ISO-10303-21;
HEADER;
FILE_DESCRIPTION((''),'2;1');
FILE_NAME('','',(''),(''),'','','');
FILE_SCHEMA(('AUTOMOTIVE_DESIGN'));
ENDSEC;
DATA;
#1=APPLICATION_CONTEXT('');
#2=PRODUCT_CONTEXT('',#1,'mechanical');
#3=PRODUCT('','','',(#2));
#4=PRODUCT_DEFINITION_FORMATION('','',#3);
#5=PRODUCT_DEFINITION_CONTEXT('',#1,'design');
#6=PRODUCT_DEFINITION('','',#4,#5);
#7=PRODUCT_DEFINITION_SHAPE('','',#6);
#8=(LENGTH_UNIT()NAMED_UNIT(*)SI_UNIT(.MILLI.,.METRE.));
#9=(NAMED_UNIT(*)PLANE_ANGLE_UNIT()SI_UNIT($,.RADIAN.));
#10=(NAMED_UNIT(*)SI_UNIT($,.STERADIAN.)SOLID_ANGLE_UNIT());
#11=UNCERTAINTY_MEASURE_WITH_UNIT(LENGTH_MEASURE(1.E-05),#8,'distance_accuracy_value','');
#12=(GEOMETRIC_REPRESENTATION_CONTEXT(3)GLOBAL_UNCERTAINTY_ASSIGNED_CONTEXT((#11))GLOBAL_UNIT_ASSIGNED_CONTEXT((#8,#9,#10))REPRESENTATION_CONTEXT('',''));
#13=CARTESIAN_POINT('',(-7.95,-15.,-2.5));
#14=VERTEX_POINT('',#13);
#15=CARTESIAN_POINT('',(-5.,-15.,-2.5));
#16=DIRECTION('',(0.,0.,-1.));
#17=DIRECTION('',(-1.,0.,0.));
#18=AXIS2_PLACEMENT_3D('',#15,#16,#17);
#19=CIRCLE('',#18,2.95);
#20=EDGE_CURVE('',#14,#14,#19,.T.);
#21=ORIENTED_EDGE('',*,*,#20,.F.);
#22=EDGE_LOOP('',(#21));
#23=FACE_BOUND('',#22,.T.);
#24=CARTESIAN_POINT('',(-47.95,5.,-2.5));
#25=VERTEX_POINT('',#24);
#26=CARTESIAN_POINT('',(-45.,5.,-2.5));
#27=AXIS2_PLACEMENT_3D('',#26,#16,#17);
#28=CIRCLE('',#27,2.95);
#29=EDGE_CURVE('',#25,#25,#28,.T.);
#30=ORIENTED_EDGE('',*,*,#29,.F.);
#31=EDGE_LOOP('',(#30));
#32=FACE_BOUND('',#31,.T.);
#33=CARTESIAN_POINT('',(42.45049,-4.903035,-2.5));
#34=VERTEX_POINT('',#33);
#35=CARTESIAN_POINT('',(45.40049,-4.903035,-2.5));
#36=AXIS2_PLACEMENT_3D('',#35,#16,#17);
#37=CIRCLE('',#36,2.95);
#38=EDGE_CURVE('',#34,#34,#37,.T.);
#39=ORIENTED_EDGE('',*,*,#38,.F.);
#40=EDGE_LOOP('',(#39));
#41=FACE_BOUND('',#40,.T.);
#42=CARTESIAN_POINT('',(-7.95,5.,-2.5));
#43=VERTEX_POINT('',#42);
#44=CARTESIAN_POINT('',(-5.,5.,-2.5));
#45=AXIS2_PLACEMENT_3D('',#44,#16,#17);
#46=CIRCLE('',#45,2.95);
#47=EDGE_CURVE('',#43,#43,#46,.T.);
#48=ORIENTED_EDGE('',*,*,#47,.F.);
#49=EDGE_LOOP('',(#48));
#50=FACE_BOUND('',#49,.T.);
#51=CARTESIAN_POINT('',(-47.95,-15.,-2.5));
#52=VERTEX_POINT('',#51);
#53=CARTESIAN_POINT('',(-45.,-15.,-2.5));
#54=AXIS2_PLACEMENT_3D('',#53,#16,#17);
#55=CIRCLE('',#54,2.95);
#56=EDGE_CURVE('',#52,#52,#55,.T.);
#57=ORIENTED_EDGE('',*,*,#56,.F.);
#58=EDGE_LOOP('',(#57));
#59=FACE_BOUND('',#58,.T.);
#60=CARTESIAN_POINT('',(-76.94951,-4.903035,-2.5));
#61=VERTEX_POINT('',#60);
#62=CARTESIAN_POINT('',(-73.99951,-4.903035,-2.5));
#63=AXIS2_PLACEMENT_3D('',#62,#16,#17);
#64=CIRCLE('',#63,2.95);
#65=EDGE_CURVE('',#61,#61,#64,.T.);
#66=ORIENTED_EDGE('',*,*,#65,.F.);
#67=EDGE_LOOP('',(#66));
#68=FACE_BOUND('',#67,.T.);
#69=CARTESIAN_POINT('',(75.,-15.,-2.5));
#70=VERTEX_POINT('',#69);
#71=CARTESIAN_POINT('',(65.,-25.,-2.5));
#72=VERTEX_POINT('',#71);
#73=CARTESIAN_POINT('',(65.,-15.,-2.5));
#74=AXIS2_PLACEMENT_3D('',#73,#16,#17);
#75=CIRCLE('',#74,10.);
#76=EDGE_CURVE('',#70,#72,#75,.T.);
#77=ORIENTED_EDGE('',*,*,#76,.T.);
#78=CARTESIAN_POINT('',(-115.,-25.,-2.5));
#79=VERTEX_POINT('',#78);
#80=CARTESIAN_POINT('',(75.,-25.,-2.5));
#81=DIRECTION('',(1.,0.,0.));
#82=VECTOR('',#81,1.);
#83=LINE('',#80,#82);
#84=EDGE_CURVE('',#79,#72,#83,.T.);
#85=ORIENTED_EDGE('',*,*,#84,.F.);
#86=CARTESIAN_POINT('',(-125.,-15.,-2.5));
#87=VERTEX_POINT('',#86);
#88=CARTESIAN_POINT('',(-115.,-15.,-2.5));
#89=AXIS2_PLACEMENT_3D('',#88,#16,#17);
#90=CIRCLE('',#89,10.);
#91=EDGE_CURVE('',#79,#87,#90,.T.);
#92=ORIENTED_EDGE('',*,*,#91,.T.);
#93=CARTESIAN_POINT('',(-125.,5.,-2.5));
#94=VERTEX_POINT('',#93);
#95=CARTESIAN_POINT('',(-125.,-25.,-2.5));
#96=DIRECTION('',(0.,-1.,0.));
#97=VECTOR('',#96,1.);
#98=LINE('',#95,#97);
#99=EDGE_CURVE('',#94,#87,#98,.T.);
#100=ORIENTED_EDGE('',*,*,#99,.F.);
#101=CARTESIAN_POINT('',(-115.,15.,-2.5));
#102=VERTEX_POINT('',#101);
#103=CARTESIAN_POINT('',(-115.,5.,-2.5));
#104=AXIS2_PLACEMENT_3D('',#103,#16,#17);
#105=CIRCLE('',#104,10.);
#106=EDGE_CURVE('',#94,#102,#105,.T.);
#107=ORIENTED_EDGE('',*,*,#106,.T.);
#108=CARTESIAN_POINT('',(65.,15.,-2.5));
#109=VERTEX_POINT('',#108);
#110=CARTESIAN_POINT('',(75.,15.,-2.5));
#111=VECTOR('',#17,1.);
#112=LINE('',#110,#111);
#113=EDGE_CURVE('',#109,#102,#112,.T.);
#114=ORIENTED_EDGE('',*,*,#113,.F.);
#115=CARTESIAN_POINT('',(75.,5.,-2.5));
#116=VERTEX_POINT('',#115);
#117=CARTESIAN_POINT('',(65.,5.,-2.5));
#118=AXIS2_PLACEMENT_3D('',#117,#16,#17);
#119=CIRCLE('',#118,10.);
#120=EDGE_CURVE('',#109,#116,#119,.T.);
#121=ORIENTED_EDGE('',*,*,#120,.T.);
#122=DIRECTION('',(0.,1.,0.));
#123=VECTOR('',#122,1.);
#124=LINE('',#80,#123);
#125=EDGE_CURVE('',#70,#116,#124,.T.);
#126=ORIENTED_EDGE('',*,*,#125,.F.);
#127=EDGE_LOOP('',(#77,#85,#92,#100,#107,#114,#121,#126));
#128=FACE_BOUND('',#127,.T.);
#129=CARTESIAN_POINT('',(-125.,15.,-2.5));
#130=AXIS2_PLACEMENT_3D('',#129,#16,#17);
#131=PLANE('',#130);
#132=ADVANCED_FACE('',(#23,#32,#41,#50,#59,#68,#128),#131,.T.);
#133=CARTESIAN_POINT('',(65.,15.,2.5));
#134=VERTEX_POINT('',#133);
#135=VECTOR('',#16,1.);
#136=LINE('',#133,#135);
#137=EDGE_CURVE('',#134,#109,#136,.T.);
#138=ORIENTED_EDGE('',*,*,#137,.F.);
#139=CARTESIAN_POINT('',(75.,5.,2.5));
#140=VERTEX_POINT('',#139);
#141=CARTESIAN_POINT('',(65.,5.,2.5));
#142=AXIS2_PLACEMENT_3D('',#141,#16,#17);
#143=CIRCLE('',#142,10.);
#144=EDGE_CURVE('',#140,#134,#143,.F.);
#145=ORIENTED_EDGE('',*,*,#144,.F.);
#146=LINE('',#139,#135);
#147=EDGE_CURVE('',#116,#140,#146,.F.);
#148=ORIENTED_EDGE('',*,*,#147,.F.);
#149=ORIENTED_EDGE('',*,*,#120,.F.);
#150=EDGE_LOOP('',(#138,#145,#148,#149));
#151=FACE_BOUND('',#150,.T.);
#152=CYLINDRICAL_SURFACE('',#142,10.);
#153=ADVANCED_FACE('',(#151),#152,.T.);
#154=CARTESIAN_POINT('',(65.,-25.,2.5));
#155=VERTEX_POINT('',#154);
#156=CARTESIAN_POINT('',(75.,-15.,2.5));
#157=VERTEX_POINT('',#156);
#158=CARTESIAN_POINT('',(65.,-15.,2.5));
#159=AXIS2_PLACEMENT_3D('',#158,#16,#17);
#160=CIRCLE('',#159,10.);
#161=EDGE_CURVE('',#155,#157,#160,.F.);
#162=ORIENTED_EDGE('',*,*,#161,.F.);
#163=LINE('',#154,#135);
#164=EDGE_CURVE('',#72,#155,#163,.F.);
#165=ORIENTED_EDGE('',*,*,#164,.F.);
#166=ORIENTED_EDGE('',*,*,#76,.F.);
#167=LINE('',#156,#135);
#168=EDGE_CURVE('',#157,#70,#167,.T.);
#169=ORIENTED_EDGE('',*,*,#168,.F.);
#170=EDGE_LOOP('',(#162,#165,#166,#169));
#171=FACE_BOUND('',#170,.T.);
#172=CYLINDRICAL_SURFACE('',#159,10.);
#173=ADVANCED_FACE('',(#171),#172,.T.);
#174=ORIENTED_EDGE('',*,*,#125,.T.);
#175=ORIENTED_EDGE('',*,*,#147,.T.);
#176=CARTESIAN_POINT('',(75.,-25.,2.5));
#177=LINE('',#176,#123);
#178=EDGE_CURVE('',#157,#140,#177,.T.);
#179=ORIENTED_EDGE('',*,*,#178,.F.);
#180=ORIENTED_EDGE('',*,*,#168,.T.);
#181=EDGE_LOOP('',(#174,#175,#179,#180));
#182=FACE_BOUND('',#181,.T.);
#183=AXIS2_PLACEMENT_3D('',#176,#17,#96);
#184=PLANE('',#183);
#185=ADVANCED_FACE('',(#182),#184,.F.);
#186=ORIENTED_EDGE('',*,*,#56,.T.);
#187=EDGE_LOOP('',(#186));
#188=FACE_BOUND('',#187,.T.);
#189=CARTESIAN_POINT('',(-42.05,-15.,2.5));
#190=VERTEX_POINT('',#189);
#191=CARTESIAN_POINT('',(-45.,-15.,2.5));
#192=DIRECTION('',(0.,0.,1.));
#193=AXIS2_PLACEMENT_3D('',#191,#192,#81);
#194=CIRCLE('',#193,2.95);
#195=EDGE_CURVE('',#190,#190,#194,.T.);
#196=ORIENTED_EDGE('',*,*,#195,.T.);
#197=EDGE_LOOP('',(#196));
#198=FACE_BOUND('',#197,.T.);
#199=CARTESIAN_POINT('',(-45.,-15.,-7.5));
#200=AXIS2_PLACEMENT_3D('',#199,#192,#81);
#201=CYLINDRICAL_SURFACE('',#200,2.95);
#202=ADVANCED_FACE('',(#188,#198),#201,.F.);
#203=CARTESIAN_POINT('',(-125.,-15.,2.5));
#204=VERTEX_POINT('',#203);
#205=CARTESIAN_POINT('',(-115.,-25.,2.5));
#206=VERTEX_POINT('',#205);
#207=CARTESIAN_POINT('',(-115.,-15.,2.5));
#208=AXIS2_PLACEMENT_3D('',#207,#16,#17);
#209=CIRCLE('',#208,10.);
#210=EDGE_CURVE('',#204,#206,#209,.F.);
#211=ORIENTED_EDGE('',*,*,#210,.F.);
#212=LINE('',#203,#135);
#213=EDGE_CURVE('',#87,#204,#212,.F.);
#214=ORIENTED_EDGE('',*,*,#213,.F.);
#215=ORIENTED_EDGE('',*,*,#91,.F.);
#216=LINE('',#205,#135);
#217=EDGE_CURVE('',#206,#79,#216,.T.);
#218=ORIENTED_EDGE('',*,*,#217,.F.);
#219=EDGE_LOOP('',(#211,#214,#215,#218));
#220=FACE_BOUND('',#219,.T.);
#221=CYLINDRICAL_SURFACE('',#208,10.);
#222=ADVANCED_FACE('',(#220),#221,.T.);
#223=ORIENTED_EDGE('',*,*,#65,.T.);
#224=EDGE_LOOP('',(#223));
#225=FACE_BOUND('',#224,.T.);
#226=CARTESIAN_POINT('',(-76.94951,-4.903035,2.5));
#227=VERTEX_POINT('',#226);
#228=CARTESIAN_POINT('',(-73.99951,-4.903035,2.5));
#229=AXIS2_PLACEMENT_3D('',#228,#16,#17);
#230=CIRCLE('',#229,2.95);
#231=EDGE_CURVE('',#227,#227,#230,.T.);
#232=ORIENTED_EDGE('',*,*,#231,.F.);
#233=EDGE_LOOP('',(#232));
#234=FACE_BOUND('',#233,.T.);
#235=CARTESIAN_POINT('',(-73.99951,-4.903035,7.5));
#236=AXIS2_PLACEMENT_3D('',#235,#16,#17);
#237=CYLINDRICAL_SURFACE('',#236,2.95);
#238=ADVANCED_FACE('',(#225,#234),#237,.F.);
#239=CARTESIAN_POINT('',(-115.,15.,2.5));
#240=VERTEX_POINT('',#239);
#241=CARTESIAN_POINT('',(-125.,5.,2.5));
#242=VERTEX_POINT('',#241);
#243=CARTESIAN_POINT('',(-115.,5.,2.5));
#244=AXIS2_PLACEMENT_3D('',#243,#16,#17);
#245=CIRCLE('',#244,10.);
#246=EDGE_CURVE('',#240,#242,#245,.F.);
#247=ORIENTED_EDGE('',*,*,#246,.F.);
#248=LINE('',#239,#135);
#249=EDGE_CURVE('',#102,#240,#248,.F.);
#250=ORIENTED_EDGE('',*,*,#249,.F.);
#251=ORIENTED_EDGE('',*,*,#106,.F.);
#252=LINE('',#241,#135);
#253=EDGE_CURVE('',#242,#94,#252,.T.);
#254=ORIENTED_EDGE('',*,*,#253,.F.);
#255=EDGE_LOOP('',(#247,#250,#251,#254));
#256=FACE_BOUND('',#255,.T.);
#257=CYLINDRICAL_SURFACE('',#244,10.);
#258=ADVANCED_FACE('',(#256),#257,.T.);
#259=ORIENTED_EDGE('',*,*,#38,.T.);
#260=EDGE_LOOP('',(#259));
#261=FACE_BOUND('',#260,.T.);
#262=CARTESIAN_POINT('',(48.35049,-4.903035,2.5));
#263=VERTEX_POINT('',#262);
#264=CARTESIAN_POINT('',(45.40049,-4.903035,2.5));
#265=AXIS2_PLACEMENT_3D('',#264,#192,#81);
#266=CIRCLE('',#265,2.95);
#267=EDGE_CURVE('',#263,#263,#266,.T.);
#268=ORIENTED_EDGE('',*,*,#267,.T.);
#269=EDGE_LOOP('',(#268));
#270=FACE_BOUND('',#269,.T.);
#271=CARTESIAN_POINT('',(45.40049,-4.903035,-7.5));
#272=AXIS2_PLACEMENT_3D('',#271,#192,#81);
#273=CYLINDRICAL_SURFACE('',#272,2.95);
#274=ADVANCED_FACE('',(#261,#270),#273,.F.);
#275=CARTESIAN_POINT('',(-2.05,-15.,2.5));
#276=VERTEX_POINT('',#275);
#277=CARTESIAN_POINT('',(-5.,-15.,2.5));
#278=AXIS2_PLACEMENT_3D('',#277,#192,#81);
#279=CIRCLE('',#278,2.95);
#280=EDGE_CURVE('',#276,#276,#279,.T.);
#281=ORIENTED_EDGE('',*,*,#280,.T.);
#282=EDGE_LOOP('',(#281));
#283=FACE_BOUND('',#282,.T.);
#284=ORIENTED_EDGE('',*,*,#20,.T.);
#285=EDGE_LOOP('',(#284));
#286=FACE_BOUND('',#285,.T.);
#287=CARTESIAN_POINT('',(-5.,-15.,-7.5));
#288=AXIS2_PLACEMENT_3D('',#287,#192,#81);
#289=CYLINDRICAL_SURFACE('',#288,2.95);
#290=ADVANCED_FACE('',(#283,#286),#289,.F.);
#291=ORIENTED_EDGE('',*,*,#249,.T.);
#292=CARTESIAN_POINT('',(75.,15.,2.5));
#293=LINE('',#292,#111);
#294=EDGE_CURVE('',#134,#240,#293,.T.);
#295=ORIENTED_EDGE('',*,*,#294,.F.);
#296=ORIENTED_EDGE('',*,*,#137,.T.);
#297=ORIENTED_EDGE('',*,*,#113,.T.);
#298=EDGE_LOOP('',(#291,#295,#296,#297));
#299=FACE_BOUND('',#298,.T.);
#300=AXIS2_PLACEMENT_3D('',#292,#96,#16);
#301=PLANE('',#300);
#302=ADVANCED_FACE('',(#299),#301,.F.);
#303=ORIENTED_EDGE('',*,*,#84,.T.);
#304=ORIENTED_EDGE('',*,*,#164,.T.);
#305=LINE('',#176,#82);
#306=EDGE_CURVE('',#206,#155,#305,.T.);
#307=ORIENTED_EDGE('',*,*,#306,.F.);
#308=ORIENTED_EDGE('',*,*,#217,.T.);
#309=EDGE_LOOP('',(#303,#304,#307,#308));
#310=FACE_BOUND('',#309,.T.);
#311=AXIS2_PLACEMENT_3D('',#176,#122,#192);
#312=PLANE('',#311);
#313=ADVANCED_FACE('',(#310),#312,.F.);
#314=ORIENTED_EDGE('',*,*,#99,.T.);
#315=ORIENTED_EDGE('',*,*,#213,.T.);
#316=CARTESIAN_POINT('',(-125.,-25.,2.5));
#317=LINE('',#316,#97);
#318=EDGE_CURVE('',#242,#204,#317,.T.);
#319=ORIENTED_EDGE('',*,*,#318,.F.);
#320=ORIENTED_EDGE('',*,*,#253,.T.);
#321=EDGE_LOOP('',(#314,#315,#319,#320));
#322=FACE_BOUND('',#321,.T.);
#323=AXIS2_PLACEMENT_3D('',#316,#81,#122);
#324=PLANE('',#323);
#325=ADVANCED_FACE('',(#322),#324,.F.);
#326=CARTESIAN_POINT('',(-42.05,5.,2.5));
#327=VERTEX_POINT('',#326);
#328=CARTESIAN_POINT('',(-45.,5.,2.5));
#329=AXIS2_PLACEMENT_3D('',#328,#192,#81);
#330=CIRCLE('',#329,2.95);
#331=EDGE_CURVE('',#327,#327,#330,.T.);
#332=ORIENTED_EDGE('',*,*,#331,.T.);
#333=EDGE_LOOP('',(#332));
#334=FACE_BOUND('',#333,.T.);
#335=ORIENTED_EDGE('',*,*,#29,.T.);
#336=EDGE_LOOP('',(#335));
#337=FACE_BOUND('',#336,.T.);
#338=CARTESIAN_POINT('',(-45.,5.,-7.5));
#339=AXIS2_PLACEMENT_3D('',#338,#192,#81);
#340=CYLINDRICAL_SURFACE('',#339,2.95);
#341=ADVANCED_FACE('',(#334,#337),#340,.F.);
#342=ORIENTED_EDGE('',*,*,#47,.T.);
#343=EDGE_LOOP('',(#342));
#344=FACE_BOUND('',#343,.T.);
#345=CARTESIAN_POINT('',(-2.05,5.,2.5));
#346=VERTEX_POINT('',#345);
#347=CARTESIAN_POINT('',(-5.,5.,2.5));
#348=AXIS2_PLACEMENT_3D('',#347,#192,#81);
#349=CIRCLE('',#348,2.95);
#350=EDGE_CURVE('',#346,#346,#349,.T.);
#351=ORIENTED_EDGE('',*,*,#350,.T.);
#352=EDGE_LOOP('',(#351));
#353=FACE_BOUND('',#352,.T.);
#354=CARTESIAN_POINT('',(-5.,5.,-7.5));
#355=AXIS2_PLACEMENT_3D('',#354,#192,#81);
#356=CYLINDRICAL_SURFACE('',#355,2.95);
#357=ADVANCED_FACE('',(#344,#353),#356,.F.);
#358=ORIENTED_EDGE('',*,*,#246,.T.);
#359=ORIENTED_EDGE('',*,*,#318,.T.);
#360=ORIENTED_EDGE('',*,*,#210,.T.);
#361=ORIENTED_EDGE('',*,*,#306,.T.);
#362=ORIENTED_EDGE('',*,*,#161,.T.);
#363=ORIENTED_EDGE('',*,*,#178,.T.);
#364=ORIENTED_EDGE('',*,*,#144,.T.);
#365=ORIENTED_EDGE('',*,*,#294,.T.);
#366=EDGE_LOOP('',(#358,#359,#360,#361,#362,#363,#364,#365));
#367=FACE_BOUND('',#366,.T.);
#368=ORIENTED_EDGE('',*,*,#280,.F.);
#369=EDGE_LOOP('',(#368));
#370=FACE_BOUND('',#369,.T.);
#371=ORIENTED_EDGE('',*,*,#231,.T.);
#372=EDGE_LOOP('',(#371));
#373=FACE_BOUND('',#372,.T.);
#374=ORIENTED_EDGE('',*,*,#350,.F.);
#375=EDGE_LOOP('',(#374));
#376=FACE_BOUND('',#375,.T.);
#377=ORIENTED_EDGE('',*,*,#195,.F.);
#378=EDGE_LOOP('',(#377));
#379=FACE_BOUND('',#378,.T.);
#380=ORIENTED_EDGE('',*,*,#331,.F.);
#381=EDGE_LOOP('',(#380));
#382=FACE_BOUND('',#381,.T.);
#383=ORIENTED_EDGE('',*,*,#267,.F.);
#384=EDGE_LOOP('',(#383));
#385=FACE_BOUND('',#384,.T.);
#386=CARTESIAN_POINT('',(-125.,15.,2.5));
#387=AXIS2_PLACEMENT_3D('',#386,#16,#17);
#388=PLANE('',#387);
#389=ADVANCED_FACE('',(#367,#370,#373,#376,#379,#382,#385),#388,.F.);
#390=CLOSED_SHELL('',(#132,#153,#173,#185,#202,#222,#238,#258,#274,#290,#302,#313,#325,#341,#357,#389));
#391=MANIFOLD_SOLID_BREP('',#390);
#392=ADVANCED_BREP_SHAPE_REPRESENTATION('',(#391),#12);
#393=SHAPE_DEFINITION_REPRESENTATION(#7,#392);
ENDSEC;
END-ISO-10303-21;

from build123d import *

# Parameters (mm, degrees)
CROQUIS1_W            = 200
CROQUIS1_H            = 40
EXTRUIR1_DEPTH        = 2.5
REDONDEO1_R           = 10
CROQUIS2_R            = 2.95
CORTAR_EXTRUIR1_DEPTH = 10
CROQUIS3_R            = 2.95
CORTAR_EXTRUIR2_DEPTH = 10
CROQUIS4_R            = 2.95
CORTAR_EXTRUIR3_DEPTH = 10


with BuildPart() as part:
    # Croquis1 → Extruir1 (new, symmetric)
    with BuildSketch(Plane.XY):
        with Locations((-25, -5)):
            Rectangle(CROQUIS1_W, CROQUIS1_H)
    extrude(amount=EXTRUIR1_DEPTH, both=True)

    # Redondeo1
    redondeo1_edges = [part.edges().sort_by_distance(p)[0] for p in [
        (75, 15, 0),
        (75, -25, 0),
        (-125, -25, 0),
        (-125, 15, 0),
    ]]
    fillet(redondeo1_edges, radius=REDONDEO1_R)

    # Croquis2 → Cortar-Extruir1 (cut)
    with BuildSketch(Plane(origin=(0, 0, -2.5), x_dir=(-1, 0, 0), z_dir=(0, 0, -1))):
        with Locations((73.999510292, -4.90303525)):
            Circle(CROQUIS2_R)
    extrude(amount=-CORTAR_EXTRUIR1_DEPTH, mode=Mode.SUBTRACT)

    # Croquis3 → Cortar-Extruir2 (cut)
    with BuildSketch(Plane.XY.offset(2.5)):
        with Locations((-45, 5)):
            Circle(CROQUIS3_R)
        with Locations((-5, 5)):
            Circle(CROQUIS3_R)
        with Locations((-45, -15)):
            Circle(CROQUIS3_R)
        with Locations((-5, -15)):
            Circle(CROQUIS3_R)
    extrude(amount=-CORTAR_EXTRUIR2_DEPTH, mode=Mode.SUBTRACT)

    # Croquis4 → Cortar-Extruir3 (cut)
    with BuildSketch(Plane.XY.offset(2.5)):
        with Locations((45.400489708, -4.90303525)):
            Circle(CROQUIS4_R)
    extrude(amount=-CORTAR_EXTRUIR3_DEPTH, mode=Mode.SUBTRACT)


solid = part.part
